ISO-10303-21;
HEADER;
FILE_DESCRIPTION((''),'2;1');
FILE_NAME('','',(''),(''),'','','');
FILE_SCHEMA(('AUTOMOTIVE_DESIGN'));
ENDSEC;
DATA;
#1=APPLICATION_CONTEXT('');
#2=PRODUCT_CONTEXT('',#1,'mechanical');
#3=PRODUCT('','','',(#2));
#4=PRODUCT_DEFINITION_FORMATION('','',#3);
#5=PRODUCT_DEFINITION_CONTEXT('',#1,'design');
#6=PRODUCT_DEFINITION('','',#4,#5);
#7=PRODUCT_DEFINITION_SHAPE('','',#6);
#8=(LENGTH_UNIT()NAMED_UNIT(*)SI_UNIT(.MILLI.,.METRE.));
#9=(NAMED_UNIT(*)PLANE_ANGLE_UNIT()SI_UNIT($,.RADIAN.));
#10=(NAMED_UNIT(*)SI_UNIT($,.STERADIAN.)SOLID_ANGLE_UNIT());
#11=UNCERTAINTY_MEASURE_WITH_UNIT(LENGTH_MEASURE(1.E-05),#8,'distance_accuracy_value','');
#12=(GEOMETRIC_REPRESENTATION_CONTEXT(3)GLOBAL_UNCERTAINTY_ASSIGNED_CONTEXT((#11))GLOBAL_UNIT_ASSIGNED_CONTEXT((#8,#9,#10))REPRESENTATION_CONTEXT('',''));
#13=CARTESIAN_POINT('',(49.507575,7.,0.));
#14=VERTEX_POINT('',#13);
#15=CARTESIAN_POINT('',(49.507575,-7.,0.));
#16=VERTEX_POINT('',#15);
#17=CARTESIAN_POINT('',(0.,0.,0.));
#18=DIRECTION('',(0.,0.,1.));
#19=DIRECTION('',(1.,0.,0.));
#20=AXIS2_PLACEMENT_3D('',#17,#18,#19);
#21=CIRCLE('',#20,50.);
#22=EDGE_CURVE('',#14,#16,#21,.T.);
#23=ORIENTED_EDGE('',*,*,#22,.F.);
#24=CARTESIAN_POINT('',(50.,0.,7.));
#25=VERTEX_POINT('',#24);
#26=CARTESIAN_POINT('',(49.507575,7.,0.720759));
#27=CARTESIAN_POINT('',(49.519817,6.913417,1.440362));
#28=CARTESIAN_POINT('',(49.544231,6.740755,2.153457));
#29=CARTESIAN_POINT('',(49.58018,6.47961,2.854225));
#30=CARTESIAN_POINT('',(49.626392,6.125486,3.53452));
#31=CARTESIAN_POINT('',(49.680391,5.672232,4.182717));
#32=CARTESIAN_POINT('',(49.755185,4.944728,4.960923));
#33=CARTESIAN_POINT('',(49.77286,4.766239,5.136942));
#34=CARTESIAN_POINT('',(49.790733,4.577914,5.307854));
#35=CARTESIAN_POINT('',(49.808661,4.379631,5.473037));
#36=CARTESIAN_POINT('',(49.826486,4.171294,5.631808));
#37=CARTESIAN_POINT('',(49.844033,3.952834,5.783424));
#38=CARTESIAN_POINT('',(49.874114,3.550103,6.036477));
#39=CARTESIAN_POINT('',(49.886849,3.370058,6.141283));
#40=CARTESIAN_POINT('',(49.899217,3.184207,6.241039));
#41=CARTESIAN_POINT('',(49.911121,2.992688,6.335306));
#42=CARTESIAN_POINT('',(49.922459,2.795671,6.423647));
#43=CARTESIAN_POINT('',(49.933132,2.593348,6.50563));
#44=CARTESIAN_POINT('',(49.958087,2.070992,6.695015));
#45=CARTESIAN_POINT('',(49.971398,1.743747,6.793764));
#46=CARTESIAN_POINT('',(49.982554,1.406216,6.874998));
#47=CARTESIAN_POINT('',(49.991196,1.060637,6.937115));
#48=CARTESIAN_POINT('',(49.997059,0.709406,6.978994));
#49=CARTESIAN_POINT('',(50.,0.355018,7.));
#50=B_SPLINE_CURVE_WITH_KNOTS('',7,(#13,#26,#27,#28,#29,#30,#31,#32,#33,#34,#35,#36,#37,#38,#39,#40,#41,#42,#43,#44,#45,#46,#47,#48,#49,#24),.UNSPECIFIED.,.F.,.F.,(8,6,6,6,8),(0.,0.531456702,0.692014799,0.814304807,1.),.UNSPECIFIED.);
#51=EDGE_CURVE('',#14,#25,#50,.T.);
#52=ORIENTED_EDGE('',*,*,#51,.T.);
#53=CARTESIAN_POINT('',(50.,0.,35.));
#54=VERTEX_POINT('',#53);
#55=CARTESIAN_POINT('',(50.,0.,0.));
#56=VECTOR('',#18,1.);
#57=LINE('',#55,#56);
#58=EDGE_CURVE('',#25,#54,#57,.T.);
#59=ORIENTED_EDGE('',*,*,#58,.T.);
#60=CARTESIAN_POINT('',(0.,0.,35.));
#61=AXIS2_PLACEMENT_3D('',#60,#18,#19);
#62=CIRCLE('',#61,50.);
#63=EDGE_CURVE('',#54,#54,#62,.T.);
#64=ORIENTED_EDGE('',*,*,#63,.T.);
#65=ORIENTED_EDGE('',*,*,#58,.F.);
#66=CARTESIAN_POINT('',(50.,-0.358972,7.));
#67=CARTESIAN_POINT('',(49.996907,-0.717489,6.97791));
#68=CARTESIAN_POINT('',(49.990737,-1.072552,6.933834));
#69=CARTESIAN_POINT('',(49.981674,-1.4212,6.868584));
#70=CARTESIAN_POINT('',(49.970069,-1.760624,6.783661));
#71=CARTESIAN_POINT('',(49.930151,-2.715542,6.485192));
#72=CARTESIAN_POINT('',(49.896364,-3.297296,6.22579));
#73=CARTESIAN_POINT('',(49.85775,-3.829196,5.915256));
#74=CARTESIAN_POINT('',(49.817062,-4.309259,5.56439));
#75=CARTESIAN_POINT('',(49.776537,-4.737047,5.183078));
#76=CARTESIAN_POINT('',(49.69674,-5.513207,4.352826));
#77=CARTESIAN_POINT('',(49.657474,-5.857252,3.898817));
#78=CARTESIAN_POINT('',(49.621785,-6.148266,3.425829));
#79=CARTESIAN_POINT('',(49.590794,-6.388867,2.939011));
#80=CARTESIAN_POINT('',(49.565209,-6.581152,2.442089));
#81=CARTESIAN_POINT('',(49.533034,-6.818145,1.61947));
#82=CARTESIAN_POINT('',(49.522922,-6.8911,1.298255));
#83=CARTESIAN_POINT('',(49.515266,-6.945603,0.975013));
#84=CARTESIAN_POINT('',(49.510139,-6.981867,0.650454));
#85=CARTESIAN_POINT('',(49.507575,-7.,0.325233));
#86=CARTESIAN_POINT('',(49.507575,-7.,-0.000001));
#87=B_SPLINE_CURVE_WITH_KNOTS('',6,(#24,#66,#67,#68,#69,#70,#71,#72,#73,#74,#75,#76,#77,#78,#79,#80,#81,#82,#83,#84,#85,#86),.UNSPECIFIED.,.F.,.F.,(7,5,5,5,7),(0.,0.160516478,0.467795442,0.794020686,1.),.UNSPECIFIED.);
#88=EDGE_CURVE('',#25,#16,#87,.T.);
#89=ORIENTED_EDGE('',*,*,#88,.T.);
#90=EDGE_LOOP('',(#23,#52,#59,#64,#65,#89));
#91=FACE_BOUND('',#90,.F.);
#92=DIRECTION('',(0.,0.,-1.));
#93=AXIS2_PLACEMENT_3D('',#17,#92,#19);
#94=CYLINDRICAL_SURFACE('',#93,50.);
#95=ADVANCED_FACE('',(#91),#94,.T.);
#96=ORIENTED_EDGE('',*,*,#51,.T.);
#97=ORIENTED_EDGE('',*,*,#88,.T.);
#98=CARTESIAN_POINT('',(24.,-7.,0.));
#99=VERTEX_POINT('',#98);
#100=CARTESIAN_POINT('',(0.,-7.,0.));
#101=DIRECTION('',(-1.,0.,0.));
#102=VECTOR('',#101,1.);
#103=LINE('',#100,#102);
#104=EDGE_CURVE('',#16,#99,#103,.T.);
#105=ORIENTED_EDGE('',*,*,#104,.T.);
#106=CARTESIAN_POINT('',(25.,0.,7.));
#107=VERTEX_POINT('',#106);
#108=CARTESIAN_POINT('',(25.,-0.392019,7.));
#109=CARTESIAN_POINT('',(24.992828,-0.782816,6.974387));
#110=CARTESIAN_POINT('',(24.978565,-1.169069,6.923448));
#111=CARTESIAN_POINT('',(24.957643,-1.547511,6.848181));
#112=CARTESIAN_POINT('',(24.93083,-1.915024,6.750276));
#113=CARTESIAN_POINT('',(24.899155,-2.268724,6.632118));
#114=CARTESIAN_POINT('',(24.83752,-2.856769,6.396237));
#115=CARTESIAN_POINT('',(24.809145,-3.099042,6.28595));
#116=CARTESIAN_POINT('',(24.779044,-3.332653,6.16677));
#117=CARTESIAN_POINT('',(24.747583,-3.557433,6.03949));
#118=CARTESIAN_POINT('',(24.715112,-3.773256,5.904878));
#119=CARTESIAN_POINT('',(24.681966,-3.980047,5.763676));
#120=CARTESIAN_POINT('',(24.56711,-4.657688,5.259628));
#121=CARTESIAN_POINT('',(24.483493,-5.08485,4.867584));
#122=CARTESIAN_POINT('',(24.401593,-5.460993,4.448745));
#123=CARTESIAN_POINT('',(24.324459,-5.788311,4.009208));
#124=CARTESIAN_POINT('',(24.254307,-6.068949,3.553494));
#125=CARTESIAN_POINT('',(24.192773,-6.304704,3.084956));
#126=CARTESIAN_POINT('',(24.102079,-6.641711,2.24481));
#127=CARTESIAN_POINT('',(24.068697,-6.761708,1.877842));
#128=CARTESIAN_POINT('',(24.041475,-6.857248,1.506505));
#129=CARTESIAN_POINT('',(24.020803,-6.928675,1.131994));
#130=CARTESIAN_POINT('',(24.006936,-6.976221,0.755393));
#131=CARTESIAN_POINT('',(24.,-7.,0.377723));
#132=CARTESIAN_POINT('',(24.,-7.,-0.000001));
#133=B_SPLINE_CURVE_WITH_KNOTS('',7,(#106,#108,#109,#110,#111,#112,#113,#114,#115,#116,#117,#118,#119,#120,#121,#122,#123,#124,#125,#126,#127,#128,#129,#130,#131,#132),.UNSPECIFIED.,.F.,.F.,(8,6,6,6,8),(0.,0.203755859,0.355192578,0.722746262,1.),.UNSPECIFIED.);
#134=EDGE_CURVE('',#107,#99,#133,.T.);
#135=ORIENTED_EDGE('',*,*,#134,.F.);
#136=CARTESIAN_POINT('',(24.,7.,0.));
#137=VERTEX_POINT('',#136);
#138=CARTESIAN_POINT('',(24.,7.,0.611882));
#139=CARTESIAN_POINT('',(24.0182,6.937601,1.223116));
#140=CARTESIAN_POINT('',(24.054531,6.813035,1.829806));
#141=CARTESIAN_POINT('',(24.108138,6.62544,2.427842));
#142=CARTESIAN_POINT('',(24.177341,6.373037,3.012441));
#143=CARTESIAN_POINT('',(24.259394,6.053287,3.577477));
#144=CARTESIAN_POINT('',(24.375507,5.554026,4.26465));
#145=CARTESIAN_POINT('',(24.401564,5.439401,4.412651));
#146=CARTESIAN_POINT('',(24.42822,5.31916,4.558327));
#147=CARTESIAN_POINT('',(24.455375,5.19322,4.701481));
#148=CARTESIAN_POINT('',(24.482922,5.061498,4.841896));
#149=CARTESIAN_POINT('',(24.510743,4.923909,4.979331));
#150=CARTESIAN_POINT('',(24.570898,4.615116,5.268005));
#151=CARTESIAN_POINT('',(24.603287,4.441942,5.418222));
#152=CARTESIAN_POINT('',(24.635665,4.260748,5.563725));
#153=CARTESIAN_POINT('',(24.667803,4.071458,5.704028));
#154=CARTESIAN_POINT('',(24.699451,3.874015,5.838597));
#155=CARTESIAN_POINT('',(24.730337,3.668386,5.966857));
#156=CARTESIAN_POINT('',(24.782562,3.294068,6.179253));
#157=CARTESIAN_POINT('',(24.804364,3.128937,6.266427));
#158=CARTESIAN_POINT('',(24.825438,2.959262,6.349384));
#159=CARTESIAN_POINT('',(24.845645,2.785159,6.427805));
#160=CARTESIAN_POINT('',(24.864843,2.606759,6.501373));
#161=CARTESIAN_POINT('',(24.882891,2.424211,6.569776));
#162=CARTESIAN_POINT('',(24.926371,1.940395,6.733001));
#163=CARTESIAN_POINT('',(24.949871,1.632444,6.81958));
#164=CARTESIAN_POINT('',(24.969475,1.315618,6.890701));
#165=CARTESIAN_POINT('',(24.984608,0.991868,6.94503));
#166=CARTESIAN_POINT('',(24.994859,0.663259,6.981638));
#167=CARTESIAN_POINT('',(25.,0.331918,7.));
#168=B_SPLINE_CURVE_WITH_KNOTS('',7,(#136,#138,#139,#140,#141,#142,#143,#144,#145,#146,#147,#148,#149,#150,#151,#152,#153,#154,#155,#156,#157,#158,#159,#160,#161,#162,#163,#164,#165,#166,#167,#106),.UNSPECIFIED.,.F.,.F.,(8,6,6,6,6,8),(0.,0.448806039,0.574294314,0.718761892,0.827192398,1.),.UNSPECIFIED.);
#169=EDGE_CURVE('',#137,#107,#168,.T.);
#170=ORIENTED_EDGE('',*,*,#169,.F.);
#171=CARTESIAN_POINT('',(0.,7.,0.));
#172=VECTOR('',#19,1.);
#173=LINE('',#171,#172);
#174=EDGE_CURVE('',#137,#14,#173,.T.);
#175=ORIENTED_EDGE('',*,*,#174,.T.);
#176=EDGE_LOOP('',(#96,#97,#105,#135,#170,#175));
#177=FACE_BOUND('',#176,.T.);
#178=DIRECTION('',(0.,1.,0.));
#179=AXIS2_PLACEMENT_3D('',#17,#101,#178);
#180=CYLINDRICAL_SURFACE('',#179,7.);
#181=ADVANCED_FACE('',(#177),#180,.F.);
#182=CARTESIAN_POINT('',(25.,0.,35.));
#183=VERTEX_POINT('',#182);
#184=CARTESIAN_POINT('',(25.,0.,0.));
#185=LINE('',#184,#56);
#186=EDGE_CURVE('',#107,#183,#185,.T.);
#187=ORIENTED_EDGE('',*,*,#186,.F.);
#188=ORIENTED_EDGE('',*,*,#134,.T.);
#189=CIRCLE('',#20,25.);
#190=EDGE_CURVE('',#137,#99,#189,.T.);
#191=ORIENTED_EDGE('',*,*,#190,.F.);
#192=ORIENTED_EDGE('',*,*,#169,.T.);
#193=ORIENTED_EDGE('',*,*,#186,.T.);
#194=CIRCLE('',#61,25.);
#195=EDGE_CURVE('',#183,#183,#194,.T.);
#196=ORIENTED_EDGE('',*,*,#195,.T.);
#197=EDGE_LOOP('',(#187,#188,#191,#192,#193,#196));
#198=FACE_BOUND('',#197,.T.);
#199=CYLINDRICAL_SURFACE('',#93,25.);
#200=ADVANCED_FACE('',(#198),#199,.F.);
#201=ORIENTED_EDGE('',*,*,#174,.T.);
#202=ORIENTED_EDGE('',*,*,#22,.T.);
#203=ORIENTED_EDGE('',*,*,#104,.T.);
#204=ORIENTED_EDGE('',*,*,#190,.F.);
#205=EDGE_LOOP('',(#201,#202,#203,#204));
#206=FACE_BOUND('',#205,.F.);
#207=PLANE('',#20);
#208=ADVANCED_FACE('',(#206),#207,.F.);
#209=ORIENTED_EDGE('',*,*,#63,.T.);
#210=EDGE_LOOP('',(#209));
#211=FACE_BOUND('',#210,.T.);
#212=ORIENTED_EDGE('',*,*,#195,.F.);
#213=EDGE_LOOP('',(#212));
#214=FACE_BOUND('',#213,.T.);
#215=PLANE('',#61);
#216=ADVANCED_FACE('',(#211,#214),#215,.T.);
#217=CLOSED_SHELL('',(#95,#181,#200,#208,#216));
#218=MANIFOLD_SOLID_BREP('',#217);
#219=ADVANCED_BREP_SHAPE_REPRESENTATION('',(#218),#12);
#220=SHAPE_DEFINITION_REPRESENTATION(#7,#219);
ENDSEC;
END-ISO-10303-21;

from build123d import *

# Parameters (mm, degrees)
F0_R     = 50
F1_DEPTH = 35
F2_R     = 25
F3_DEPTH = 35
F4_R     = 7
F5_DEPTH = 50.001


with BuildPart() as f1:
    # F0 (on Top) → F1 (new body)
    with BuildSketch(Plane.XY):
        Circle(F0_R)
    extrude(amount=F1_DEPTH)

    # F2 (on Top) → F3 (cut)
    with BuildSketch(Plane.XY):
        Circle(F2_R)
    extrude(amount=F3_DEPTH, mode=Mode.SUBTRACT)

    # F4 (on Right) → F5 (cut, through all)
    with BuildSketch(Plane.YZ):
        Circle(F4_R)
    extrude(amount=F5_DEPTH, mode=Mode.SUBTRACT)


solid = f1.part
